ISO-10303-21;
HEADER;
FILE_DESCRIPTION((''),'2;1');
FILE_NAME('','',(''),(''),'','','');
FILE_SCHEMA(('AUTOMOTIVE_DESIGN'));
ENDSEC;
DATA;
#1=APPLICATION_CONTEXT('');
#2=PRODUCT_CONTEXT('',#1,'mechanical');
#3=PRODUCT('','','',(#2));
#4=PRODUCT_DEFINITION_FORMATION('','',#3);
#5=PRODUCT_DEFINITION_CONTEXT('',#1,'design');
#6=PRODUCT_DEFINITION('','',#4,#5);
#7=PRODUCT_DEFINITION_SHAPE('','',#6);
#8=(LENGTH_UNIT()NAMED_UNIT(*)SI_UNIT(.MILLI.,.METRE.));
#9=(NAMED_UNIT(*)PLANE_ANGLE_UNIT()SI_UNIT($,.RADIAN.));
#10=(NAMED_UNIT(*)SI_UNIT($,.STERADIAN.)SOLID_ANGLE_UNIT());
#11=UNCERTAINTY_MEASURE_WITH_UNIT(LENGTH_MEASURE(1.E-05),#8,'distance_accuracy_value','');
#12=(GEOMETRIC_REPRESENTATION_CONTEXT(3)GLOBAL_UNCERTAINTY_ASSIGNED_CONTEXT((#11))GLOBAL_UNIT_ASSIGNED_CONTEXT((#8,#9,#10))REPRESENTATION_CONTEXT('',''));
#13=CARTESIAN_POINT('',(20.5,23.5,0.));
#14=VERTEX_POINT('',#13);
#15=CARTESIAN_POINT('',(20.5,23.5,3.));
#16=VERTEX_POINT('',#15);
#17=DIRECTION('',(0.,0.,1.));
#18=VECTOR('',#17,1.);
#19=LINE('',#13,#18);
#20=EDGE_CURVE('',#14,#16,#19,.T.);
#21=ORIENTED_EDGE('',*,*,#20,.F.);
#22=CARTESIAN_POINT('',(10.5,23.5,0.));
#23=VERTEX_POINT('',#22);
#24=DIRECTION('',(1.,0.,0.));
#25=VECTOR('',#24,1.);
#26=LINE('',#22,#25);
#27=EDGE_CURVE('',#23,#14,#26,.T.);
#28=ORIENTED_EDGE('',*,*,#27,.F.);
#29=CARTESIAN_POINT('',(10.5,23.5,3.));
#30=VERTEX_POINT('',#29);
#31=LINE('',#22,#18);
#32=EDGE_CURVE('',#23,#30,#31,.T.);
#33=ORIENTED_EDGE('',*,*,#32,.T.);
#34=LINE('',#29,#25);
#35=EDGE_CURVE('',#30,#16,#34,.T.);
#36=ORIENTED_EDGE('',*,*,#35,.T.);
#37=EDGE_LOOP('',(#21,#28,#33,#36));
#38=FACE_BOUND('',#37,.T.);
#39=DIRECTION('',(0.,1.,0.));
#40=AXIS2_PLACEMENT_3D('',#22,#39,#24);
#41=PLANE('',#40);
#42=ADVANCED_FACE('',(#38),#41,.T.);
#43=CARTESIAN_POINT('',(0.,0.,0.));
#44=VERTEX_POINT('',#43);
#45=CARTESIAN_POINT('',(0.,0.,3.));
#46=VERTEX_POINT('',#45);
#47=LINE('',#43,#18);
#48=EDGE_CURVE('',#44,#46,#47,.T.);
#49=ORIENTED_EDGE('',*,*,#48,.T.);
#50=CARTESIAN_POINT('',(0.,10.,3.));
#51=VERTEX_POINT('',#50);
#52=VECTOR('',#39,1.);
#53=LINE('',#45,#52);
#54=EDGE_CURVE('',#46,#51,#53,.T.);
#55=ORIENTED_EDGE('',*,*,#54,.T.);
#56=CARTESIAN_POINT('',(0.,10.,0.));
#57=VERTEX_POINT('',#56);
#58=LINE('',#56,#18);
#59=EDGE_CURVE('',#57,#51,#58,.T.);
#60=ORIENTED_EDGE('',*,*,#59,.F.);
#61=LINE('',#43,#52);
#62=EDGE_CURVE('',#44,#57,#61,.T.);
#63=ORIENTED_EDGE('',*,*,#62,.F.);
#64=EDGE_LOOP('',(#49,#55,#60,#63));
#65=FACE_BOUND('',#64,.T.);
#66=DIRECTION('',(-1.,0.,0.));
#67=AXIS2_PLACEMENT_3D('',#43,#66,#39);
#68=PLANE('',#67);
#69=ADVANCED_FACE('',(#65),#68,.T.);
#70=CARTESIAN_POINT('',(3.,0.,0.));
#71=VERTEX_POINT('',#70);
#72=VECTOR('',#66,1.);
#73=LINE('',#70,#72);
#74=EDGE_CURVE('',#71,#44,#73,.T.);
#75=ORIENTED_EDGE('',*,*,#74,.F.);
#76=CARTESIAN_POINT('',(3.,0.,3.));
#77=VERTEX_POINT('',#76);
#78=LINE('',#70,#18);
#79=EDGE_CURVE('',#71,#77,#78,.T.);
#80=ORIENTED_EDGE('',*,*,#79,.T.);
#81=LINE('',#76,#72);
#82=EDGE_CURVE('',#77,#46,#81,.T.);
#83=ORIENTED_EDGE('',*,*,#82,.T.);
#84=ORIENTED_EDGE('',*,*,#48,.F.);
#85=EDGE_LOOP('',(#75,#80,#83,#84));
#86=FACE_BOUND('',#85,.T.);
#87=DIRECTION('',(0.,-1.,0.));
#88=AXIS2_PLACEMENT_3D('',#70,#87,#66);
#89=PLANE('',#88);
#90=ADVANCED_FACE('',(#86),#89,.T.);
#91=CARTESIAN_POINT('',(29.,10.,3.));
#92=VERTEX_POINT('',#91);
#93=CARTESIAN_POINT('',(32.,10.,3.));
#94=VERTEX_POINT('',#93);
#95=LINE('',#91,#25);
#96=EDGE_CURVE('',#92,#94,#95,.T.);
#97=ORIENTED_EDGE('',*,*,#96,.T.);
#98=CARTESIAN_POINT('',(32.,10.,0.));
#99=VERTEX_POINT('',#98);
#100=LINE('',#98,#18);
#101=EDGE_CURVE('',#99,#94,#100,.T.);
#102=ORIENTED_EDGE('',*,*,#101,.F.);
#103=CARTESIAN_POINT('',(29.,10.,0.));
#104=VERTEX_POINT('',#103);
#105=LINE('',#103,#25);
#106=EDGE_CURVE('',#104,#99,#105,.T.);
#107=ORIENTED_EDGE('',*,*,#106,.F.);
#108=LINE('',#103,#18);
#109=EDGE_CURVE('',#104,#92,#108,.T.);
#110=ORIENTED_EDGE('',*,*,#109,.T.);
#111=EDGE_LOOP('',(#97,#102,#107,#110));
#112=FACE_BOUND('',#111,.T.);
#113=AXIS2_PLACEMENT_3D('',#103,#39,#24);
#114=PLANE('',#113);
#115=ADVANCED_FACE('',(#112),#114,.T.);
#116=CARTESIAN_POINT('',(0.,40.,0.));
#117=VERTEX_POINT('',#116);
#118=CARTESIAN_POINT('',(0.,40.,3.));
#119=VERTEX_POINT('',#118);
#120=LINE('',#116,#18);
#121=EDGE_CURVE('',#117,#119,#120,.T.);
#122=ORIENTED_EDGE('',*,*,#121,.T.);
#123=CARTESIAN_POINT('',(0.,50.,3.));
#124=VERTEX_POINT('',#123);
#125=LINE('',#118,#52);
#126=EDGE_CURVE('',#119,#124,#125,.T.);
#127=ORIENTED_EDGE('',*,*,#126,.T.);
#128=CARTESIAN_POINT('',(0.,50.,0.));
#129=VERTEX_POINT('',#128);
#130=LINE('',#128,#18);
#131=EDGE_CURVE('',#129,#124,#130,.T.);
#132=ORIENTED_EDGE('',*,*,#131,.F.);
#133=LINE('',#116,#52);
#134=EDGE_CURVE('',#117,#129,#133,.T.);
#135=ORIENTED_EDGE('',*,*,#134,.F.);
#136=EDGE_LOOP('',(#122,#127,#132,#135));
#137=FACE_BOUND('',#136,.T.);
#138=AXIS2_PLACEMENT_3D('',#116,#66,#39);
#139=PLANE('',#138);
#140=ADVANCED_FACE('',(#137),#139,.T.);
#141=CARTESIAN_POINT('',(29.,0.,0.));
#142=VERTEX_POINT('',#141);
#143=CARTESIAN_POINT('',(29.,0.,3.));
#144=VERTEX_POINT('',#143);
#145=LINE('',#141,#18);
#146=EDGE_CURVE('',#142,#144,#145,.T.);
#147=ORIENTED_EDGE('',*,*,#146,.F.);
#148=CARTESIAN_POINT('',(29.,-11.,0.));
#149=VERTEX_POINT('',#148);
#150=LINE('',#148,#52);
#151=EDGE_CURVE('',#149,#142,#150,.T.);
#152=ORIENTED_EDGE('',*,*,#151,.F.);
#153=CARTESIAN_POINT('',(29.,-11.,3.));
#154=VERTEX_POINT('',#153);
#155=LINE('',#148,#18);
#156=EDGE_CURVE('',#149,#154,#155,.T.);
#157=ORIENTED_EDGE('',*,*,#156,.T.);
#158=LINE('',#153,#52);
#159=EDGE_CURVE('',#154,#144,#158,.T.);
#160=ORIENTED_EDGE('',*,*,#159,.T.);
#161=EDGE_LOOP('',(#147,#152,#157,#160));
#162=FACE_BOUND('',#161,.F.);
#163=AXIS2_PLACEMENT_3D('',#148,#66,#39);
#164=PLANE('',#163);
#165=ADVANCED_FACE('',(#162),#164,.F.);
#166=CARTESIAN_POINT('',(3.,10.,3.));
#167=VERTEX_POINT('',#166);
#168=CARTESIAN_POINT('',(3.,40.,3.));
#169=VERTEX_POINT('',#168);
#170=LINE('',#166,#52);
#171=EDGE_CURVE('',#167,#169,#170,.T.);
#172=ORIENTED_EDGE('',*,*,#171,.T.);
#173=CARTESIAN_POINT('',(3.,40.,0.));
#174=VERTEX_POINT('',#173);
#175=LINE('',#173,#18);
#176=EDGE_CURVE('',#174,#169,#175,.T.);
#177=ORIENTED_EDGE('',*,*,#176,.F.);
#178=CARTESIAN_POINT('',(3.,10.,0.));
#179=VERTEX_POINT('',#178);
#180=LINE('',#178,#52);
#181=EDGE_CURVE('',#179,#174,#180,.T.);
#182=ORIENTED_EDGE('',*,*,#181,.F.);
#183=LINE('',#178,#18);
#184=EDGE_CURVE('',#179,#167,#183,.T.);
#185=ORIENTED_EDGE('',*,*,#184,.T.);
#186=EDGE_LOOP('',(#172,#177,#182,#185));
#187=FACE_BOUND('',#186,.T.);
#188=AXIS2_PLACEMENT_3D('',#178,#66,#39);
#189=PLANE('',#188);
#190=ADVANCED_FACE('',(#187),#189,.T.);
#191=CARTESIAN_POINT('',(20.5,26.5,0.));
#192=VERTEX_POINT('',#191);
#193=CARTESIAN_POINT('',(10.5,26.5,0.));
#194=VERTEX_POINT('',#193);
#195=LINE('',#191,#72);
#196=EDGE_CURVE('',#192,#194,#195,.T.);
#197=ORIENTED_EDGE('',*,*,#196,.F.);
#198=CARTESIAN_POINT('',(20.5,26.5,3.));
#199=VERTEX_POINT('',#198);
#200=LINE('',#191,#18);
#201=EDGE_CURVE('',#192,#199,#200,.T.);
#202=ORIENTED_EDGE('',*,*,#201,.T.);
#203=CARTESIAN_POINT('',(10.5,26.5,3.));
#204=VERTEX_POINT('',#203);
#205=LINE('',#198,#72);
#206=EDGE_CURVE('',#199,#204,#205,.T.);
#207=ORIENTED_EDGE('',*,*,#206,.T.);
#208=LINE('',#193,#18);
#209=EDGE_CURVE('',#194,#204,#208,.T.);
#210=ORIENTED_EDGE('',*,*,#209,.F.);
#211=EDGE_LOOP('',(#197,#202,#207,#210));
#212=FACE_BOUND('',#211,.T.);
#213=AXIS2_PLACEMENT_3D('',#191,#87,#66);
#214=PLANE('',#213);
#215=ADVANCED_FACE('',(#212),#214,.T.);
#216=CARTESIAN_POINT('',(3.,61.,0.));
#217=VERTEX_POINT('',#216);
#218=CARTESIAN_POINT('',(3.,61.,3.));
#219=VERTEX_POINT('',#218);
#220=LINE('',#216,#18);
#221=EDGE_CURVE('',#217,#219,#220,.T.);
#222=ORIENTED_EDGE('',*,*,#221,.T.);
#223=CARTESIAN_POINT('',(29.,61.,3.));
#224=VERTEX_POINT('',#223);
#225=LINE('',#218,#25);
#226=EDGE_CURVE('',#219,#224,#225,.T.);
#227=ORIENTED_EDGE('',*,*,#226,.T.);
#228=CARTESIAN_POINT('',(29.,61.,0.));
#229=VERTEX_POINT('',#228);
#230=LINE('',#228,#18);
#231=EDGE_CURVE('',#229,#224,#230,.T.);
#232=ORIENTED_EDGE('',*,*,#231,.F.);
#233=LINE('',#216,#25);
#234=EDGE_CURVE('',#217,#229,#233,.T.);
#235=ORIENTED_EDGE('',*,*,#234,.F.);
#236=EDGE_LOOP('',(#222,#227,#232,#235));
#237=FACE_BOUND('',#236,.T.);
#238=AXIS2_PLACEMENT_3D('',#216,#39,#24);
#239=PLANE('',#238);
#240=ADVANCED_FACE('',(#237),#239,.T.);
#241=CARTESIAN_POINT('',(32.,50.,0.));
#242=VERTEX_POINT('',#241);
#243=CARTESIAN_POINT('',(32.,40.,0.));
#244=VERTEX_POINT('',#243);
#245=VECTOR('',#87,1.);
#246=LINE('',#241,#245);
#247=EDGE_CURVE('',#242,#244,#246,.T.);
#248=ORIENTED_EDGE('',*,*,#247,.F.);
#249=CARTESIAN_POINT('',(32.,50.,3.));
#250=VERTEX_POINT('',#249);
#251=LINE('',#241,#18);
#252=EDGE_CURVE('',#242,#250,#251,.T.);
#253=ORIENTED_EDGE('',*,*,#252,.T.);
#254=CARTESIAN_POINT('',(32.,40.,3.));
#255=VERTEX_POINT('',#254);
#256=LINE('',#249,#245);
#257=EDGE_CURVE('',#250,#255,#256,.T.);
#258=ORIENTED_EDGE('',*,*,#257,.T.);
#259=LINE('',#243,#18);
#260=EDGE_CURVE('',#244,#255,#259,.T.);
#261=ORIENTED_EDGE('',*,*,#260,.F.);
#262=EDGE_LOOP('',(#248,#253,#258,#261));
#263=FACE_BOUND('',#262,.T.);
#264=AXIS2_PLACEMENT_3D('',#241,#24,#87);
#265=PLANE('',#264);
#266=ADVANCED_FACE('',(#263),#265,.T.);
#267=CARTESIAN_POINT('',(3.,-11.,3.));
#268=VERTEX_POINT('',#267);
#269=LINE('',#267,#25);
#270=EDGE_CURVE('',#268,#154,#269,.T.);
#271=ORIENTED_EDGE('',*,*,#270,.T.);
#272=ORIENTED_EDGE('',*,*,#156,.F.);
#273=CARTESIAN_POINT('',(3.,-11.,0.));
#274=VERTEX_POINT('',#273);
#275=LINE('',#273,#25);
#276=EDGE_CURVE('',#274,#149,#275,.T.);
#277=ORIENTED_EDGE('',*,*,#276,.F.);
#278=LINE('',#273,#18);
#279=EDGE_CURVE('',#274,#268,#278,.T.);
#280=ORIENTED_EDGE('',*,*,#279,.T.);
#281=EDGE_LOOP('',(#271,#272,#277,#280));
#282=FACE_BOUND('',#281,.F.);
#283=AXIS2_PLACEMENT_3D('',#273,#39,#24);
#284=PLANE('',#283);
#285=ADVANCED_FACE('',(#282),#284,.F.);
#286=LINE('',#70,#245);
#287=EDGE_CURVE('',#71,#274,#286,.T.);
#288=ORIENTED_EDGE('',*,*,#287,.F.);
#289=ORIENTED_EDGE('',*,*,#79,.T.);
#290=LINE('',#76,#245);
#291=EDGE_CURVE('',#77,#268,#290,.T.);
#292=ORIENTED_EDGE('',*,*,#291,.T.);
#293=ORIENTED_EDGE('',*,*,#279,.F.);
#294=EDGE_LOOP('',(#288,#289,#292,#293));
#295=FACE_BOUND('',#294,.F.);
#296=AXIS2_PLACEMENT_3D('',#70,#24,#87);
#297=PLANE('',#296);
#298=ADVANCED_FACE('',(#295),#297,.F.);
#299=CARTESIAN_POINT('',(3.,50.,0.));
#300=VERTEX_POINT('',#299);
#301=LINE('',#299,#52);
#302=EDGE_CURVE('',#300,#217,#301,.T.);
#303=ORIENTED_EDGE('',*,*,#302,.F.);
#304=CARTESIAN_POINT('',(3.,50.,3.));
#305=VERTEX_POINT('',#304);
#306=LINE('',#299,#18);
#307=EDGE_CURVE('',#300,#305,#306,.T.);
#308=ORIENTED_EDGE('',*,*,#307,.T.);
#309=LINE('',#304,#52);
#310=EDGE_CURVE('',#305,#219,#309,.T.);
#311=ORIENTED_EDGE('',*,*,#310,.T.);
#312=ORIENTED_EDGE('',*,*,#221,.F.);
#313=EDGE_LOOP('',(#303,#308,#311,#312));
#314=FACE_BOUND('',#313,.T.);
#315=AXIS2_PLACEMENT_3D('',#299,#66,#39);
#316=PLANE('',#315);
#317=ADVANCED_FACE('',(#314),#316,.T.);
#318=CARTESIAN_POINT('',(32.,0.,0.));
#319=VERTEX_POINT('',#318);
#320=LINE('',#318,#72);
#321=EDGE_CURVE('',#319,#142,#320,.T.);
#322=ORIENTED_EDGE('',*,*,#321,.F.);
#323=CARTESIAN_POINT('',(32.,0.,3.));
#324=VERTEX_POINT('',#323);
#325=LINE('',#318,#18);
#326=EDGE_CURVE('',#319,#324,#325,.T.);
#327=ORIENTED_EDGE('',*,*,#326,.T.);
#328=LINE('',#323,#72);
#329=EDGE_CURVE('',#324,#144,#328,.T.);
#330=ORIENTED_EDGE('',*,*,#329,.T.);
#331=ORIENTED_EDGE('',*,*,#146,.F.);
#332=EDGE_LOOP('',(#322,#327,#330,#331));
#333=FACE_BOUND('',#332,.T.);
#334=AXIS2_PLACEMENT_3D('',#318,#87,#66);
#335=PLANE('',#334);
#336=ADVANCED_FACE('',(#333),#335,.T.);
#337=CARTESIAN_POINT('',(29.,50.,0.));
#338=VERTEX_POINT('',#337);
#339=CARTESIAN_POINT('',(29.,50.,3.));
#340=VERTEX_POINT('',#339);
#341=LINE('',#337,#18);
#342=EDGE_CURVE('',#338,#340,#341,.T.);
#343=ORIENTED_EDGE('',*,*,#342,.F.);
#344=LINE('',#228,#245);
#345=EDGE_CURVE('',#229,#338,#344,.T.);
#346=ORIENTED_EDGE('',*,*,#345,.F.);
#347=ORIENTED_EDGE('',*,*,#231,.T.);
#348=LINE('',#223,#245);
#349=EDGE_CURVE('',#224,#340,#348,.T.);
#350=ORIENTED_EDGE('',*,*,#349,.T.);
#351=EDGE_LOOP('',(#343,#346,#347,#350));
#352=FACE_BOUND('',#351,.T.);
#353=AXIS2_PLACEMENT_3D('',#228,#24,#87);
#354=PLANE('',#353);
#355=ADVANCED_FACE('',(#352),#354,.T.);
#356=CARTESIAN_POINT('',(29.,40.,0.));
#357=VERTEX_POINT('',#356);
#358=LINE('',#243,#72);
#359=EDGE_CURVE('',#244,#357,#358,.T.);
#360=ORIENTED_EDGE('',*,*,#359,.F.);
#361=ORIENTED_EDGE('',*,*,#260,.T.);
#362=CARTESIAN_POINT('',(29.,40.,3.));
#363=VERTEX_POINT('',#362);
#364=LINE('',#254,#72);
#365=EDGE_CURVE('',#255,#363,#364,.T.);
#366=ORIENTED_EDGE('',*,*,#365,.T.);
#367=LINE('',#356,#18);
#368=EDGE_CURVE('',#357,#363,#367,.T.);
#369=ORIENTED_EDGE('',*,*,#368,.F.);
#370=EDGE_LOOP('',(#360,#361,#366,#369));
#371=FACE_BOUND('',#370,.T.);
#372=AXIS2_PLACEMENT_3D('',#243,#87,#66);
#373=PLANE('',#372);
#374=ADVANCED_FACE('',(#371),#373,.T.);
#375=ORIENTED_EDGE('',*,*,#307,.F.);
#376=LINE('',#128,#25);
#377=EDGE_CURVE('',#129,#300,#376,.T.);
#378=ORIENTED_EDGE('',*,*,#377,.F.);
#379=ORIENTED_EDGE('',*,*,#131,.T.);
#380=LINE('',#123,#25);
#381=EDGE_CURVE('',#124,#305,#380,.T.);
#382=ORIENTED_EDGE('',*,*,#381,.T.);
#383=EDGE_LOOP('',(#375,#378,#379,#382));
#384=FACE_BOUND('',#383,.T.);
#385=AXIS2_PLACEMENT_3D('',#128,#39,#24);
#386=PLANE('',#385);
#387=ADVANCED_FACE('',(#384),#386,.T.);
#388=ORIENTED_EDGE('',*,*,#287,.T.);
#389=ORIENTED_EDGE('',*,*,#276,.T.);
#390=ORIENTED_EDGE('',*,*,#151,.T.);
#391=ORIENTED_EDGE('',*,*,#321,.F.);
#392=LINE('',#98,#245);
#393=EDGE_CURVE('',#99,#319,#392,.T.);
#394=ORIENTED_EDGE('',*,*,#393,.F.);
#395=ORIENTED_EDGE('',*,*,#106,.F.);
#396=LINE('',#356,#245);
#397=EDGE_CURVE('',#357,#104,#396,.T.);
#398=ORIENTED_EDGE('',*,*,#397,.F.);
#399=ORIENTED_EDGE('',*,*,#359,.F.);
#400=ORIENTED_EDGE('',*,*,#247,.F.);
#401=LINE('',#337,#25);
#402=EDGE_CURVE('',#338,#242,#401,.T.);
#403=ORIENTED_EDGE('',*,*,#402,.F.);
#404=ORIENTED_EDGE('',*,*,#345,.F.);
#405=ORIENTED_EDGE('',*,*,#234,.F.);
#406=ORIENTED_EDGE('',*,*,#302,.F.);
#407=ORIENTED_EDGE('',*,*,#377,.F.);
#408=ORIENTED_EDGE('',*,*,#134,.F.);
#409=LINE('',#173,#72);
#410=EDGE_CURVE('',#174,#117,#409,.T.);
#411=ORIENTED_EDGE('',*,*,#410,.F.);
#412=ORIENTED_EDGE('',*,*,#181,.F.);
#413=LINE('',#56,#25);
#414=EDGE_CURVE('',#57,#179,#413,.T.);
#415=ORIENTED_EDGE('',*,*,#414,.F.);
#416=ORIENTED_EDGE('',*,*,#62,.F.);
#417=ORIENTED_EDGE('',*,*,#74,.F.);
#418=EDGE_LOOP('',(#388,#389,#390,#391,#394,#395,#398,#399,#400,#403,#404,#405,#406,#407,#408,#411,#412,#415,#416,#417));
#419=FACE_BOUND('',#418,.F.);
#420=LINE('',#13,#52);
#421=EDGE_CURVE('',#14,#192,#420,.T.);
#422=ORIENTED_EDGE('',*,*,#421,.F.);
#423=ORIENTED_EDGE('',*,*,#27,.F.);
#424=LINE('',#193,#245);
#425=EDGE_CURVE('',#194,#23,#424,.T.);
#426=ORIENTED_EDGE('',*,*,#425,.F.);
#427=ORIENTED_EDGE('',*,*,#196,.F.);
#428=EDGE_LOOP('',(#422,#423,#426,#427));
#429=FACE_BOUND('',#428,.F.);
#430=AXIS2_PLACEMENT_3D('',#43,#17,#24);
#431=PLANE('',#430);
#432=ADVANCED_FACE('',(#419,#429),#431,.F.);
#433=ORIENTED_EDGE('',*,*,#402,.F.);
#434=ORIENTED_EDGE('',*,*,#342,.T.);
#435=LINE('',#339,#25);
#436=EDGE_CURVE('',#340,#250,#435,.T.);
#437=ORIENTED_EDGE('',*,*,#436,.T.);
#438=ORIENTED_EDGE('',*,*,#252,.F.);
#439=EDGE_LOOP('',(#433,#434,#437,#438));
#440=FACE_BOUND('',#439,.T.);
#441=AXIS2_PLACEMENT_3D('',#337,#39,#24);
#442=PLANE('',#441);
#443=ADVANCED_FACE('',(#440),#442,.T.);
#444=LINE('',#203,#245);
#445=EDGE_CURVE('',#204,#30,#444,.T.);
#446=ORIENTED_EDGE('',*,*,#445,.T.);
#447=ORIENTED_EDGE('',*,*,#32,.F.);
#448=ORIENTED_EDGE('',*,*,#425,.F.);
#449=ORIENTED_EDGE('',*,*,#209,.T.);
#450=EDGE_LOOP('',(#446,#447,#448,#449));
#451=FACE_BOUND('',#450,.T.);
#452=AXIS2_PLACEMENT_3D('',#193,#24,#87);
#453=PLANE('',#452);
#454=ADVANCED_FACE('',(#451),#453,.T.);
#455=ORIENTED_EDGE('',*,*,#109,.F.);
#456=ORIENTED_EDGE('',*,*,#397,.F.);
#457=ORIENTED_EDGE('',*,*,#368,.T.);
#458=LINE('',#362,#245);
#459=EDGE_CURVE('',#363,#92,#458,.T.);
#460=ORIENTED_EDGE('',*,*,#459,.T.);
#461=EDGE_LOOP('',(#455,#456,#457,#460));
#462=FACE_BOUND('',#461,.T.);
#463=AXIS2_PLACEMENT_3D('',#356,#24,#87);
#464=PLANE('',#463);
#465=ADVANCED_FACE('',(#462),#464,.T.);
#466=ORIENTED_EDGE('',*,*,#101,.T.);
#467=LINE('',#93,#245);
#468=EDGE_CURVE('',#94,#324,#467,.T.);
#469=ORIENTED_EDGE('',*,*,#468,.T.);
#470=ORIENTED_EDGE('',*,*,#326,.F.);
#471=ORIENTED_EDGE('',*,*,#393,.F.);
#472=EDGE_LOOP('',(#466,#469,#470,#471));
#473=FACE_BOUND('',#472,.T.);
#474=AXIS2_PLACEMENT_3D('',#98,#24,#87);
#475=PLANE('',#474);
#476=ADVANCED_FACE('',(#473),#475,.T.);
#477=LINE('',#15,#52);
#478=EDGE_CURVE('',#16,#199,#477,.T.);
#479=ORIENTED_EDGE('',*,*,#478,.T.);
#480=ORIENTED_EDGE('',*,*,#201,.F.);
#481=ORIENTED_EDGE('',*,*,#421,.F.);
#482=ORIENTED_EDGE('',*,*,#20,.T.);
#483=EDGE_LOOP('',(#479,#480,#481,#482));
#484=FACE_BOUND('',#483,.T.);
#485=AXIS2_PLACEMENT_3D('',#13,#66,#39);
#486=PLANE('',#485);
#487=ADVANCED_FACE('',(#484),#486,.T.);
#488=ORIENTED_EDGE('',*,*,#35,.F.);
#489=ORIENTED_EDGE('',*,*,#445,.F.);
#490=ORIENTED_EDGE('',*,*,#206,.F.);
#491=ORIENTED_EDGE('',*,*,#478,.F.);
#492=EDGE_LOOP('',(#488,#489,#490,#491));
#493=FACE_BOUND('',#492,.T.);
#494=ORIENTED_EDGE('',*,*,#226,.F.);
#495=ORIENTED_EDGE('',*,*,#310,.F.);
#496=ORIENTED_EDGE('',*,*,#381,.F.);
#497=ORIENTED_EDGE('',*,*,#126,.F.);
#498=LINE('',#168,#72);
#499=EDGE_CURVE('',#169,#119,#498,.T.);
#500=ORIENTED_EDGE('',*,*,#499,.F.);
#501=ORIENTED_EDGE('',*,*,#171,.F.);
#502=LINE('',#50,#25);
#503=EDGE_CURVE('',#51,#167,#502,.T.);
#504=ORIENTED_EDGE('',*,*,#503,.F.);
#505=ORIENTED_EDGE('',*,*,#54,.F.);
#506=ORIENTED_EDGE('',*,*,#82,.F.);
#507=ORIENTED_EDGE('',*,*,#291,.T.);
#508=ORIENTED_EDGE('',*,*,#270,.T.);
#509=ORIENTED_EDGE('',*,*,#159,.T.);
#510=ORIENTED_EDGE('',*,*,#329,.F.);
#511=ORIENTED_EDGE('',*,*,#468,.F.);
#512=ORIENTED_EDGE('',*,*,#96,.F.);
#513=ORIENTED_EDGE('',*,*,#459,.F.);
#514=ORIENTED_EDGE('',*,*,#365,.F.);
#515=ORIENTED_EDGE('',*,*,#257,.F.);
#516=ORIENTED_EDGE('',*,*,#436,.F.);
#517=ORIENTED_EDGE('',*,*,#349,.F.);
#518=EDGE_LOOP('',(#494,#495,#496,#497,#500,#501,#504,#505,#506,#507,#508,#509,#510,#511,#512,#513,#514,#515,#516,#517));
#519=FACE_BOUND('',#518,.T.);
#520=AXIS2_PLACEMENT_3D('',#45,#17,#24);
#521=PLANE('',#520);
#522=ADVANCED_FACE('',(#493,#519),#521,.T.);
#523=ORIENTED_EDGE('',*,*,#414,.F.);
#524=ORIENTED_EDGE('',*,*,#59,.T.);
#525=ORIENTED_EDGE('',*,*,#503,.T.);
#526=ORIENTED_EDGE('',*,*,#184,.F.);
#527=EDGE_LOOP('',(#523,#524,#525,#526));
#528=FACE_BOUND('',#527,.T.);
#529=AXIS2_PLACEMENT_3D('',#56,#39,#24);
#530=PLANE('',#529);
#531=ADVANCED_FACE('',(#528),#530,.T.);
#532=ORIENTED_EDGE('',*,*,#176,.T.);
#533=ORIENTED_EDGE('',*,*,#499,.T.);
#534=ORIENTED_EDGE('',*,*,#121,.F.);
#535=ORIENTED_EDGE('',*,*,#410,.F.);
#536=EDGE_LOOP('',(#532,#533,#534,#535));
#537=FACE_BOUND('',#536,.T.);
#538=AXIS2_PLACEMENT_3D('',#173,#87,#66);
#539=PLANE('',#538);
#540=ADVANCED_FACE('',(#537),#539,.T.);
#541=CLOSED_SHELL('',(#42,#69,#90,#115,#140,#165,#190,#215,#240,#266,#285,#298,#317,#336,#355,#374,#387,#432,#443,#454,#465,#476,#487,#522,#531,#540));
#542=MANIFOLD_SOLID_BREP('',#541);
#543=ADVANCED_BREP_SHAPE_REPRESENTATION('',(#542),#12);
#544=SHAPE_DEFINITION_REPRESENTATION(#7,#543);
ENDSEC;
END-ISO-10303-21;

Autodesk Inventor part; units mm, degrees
ref_plane "YZ Plane" through (0, 0, 0) normal (1, 0, 0) x (0, 1, 0)
ref_plane "XZ Plane" through (0, 0, 0) normal (0, 1, 0) x (-1, 0, 0)
ref_plane "XY Plane" through (0, 0, 0) normal (0, 0, 1) x (1, 0, 0)
sketch "Sketch1" plane through (0, 0, 0) normal (0, 0, 1) x (1, 0, 0)
  line L0 (0, 0) -> (0, 10)
  line L1 (0, 10) -> (3, 10)
  line L2 (3, 10) -> (3, 40)
  line L3 (3, 40) -> (0, 40)
  line L4 (0, 40) -> (0, 50)
  line L5 (32, 50) -> (32, 40)
  line L6 (32, 40) -> (29, 40)
  line L7 (29, 40) -> (29, 10)
  line L8 (29, 10) -> (32, 10)
  line L9 (32, 10) -> (32, 0)
  line L10 (10.5, 23.5) -> (20.5, 23.5)
  line L11 (20.5, 23.5) -> (20.5, 26.5)
  line L12 (20.5, 26.5) -> (10.5, 26.5)
  line L13 (10.5, 26.5) -> (10.5, 23.5)
  line L14 (3, 50) -> (3, 61)
  line L15 (3, 61) -> (29, 61)
  line L16 (29, 61) -> (29, 50)
  line L17 (3, 0) -> (3, -11)
  line L18 (3, -11) -> (29, -11)
  line L19 (29, -11) -> (29, 0)
  line L20 (0, 50) -> (3, 50)
  line L21 (29, 50) -> (32, 50)
  line L22 (32, 0) -> (29, 0)
  line L23 (3, 0) -> (0, 0)
  dimension "d19" = 10
  dimension "d20" = 3
  dimension "d22" = 10
  dimension "d23" = 3
  dimension "d24" = 30
  dimension "d25" = 3
  dimension "d26" = 10
  dimension "d27" = 32
  dimension "d28" = 10
  dimension "d29" = 3
  dimension "d30" = 3
  dimension "d31" = 10
  dimension "d32" = 7.5
  dimension "d35" = 30
  dimension "d36" = 72
  dimension "d39" = 34.5
  dimension "d40" = 26
  dimension "d41" = 26
  dimension "d42" = 11
  dimension "d43" = 11
extrude "Extrusion1" add sketch "Sketch1" along normal blind 3
properties part number "OpenROV 2.3 Dev EChassis Light Plate"
